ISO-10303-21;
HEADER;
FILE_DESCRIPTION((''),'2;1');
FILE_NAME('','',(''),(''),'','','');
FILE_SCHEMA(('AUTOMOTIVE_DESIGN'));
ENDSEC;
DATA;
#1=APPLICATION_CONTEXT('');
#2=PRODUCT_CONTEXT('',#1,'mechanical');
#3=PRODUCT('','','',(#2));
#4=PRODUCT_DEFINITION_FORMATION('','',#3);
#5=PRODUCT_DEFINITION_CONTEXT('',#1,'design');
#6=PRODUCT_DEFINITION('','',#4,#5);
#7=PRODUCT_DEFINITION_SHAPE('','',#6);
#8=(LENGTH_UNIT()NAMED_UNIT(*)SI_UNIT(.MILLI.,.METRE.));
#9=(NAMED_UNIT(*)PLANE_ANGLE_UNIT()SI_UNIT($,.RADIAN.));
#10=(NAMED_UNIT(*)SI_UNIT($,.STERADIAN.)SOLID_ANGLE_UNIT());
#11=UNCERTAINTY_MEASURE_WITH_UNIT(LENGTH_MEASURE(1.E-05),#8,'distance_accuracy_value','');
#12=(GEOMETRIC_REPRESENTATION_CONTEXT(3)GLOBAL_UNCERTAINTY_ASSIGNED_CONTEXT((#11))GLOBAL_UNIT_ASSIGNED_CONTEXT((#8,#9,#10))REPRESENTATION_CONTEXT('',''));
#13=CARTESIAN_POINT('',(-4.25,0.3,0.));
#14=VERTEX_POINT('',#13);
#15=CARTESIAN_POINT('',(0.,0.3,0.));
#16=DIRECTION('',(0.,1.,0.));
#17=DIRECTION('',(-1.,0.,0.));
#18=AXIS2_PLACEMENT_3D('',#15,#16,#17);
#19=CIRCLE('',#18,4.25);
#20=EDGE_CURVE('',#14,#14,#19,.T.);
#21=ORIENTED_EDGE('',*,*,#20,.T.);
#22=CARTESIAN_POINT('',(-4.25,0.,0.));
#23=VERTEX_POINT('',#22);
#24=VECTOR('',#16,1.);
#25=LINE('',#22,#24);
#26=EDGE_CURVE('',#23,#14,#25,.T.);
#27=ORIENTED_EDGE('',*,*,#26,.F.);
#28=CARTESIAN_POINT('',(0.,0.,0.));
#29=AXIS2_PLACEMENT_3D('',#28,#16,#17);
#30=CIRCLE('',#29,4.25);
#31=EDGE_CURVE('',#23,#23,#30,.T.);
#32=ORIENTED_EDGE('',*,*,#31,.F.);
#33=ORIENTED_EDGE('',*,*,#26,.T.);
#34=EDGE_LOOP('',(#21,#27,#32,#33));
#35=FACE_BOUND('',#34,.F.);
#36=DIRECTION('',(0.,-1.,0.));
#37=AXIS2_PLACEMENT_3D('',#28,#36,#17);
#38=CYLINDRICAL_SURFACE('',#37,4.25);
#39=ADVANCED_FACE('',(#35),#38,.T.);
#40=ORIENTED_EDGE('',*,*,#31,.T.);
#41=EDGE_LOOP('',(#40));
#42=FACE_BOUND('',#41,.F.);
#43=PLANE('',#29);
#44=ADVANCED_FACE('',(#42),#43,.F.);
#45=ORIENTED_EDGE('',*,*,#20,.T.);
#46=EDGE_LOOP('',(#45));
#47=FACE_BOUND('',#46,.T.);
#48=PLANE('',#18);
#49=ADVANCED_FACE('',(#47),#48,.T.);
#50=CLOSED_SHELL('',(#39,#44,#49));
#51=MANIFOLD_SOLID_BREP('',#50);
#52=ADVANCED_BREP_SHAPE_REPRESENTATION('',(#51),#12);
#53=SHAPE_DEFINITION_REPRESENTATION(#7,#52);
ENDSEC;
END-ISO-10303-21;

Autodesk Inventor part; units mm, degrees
ref_plane "YZ Plane" through (0, 0, 0) normal (1, 0, 0) x (0, 1, 0)
ref_plane "XZ Plane" through (0, 0, 0) normal (0, 1, 0) x (-1, 0, 0)
ref_plane "XY Plane" through (0, 0, 0) normal (0, 0, 1) x (1, 0, 0)
sketch "Sketch1" plane through (0, 0, 0) normal (0, 1, 0) x (-1, 0, 0)
  circle A0 centre (0, 0) radius 4.25
  dimension "d0" = 8.5
extrude "Extrusion1" add sketch "Sketch1" along normal blind 0.3
sketch "Sketch2" plane through (0, 0.3, 0) normal (0, 1, 0) x (1, 0, 0)
  line L0 (-0.5, 0.5) -> (0.5, 0.5)
  line L1 (0.5, -1.5) -> (0.5, -4.25)
  line L2 (0.5, -4.25) -> (-0.5, -4.25)
  line L3 (-0.5, -4.25) -> (-0.5, -1.5)
  line L4 (-0.5, 0.5) -> (-2.7165, -3.3391)
  line L5 (-2.7165, -3.3391) -> (-1.8505, -3.8391)
  line L6 (-1.8505, -3.8391) -> (-0.5, -1.5)
  line L7 (0.5, -1.5) -> (1.8505, -3.8391)
  line L8 (1.8505, -3.8391) -> (2.7165, -3.3391)
  line L9 (2.7165, -3.3391) -> (0.5, 0.5)
  line L10 (0, 5.95) -> (0, -5.95) construction
  circle A0 centre (0, 0) radius 4.25 construction
  dimension "d3" = 60
  dimension "d4" = 1
  dimension "d5" = 0.5
split_face "Split1"
sketch "Sketch3" plane through (-0.5, 0.3, -0.5) normal (0, 1, 0) x (1, 0, 0)
  line L0 (0, 1) -> (1, 1)
  line L1 (1, 1) -> (1, 3.75)
  line L2 (1, 3.75) -> (0, 3.75)
  line L3 (0, 3.75) -> (0, 1)
  line L4 (0, -4.7205) -> (0, -2) projected
  line L5 (1, -2) -> (1, -4.7205) projected
  arc A0 (3.1889, -3.7913) -> (-3.75, -0.5) centre (0.5, -0.5) ccw construction
  line L6 (0, 0) -> (1, 0) projected
  dimension "d6" = 1
split_face "Split2"
properties part number "Manfrotto Logo 01 - 1"
